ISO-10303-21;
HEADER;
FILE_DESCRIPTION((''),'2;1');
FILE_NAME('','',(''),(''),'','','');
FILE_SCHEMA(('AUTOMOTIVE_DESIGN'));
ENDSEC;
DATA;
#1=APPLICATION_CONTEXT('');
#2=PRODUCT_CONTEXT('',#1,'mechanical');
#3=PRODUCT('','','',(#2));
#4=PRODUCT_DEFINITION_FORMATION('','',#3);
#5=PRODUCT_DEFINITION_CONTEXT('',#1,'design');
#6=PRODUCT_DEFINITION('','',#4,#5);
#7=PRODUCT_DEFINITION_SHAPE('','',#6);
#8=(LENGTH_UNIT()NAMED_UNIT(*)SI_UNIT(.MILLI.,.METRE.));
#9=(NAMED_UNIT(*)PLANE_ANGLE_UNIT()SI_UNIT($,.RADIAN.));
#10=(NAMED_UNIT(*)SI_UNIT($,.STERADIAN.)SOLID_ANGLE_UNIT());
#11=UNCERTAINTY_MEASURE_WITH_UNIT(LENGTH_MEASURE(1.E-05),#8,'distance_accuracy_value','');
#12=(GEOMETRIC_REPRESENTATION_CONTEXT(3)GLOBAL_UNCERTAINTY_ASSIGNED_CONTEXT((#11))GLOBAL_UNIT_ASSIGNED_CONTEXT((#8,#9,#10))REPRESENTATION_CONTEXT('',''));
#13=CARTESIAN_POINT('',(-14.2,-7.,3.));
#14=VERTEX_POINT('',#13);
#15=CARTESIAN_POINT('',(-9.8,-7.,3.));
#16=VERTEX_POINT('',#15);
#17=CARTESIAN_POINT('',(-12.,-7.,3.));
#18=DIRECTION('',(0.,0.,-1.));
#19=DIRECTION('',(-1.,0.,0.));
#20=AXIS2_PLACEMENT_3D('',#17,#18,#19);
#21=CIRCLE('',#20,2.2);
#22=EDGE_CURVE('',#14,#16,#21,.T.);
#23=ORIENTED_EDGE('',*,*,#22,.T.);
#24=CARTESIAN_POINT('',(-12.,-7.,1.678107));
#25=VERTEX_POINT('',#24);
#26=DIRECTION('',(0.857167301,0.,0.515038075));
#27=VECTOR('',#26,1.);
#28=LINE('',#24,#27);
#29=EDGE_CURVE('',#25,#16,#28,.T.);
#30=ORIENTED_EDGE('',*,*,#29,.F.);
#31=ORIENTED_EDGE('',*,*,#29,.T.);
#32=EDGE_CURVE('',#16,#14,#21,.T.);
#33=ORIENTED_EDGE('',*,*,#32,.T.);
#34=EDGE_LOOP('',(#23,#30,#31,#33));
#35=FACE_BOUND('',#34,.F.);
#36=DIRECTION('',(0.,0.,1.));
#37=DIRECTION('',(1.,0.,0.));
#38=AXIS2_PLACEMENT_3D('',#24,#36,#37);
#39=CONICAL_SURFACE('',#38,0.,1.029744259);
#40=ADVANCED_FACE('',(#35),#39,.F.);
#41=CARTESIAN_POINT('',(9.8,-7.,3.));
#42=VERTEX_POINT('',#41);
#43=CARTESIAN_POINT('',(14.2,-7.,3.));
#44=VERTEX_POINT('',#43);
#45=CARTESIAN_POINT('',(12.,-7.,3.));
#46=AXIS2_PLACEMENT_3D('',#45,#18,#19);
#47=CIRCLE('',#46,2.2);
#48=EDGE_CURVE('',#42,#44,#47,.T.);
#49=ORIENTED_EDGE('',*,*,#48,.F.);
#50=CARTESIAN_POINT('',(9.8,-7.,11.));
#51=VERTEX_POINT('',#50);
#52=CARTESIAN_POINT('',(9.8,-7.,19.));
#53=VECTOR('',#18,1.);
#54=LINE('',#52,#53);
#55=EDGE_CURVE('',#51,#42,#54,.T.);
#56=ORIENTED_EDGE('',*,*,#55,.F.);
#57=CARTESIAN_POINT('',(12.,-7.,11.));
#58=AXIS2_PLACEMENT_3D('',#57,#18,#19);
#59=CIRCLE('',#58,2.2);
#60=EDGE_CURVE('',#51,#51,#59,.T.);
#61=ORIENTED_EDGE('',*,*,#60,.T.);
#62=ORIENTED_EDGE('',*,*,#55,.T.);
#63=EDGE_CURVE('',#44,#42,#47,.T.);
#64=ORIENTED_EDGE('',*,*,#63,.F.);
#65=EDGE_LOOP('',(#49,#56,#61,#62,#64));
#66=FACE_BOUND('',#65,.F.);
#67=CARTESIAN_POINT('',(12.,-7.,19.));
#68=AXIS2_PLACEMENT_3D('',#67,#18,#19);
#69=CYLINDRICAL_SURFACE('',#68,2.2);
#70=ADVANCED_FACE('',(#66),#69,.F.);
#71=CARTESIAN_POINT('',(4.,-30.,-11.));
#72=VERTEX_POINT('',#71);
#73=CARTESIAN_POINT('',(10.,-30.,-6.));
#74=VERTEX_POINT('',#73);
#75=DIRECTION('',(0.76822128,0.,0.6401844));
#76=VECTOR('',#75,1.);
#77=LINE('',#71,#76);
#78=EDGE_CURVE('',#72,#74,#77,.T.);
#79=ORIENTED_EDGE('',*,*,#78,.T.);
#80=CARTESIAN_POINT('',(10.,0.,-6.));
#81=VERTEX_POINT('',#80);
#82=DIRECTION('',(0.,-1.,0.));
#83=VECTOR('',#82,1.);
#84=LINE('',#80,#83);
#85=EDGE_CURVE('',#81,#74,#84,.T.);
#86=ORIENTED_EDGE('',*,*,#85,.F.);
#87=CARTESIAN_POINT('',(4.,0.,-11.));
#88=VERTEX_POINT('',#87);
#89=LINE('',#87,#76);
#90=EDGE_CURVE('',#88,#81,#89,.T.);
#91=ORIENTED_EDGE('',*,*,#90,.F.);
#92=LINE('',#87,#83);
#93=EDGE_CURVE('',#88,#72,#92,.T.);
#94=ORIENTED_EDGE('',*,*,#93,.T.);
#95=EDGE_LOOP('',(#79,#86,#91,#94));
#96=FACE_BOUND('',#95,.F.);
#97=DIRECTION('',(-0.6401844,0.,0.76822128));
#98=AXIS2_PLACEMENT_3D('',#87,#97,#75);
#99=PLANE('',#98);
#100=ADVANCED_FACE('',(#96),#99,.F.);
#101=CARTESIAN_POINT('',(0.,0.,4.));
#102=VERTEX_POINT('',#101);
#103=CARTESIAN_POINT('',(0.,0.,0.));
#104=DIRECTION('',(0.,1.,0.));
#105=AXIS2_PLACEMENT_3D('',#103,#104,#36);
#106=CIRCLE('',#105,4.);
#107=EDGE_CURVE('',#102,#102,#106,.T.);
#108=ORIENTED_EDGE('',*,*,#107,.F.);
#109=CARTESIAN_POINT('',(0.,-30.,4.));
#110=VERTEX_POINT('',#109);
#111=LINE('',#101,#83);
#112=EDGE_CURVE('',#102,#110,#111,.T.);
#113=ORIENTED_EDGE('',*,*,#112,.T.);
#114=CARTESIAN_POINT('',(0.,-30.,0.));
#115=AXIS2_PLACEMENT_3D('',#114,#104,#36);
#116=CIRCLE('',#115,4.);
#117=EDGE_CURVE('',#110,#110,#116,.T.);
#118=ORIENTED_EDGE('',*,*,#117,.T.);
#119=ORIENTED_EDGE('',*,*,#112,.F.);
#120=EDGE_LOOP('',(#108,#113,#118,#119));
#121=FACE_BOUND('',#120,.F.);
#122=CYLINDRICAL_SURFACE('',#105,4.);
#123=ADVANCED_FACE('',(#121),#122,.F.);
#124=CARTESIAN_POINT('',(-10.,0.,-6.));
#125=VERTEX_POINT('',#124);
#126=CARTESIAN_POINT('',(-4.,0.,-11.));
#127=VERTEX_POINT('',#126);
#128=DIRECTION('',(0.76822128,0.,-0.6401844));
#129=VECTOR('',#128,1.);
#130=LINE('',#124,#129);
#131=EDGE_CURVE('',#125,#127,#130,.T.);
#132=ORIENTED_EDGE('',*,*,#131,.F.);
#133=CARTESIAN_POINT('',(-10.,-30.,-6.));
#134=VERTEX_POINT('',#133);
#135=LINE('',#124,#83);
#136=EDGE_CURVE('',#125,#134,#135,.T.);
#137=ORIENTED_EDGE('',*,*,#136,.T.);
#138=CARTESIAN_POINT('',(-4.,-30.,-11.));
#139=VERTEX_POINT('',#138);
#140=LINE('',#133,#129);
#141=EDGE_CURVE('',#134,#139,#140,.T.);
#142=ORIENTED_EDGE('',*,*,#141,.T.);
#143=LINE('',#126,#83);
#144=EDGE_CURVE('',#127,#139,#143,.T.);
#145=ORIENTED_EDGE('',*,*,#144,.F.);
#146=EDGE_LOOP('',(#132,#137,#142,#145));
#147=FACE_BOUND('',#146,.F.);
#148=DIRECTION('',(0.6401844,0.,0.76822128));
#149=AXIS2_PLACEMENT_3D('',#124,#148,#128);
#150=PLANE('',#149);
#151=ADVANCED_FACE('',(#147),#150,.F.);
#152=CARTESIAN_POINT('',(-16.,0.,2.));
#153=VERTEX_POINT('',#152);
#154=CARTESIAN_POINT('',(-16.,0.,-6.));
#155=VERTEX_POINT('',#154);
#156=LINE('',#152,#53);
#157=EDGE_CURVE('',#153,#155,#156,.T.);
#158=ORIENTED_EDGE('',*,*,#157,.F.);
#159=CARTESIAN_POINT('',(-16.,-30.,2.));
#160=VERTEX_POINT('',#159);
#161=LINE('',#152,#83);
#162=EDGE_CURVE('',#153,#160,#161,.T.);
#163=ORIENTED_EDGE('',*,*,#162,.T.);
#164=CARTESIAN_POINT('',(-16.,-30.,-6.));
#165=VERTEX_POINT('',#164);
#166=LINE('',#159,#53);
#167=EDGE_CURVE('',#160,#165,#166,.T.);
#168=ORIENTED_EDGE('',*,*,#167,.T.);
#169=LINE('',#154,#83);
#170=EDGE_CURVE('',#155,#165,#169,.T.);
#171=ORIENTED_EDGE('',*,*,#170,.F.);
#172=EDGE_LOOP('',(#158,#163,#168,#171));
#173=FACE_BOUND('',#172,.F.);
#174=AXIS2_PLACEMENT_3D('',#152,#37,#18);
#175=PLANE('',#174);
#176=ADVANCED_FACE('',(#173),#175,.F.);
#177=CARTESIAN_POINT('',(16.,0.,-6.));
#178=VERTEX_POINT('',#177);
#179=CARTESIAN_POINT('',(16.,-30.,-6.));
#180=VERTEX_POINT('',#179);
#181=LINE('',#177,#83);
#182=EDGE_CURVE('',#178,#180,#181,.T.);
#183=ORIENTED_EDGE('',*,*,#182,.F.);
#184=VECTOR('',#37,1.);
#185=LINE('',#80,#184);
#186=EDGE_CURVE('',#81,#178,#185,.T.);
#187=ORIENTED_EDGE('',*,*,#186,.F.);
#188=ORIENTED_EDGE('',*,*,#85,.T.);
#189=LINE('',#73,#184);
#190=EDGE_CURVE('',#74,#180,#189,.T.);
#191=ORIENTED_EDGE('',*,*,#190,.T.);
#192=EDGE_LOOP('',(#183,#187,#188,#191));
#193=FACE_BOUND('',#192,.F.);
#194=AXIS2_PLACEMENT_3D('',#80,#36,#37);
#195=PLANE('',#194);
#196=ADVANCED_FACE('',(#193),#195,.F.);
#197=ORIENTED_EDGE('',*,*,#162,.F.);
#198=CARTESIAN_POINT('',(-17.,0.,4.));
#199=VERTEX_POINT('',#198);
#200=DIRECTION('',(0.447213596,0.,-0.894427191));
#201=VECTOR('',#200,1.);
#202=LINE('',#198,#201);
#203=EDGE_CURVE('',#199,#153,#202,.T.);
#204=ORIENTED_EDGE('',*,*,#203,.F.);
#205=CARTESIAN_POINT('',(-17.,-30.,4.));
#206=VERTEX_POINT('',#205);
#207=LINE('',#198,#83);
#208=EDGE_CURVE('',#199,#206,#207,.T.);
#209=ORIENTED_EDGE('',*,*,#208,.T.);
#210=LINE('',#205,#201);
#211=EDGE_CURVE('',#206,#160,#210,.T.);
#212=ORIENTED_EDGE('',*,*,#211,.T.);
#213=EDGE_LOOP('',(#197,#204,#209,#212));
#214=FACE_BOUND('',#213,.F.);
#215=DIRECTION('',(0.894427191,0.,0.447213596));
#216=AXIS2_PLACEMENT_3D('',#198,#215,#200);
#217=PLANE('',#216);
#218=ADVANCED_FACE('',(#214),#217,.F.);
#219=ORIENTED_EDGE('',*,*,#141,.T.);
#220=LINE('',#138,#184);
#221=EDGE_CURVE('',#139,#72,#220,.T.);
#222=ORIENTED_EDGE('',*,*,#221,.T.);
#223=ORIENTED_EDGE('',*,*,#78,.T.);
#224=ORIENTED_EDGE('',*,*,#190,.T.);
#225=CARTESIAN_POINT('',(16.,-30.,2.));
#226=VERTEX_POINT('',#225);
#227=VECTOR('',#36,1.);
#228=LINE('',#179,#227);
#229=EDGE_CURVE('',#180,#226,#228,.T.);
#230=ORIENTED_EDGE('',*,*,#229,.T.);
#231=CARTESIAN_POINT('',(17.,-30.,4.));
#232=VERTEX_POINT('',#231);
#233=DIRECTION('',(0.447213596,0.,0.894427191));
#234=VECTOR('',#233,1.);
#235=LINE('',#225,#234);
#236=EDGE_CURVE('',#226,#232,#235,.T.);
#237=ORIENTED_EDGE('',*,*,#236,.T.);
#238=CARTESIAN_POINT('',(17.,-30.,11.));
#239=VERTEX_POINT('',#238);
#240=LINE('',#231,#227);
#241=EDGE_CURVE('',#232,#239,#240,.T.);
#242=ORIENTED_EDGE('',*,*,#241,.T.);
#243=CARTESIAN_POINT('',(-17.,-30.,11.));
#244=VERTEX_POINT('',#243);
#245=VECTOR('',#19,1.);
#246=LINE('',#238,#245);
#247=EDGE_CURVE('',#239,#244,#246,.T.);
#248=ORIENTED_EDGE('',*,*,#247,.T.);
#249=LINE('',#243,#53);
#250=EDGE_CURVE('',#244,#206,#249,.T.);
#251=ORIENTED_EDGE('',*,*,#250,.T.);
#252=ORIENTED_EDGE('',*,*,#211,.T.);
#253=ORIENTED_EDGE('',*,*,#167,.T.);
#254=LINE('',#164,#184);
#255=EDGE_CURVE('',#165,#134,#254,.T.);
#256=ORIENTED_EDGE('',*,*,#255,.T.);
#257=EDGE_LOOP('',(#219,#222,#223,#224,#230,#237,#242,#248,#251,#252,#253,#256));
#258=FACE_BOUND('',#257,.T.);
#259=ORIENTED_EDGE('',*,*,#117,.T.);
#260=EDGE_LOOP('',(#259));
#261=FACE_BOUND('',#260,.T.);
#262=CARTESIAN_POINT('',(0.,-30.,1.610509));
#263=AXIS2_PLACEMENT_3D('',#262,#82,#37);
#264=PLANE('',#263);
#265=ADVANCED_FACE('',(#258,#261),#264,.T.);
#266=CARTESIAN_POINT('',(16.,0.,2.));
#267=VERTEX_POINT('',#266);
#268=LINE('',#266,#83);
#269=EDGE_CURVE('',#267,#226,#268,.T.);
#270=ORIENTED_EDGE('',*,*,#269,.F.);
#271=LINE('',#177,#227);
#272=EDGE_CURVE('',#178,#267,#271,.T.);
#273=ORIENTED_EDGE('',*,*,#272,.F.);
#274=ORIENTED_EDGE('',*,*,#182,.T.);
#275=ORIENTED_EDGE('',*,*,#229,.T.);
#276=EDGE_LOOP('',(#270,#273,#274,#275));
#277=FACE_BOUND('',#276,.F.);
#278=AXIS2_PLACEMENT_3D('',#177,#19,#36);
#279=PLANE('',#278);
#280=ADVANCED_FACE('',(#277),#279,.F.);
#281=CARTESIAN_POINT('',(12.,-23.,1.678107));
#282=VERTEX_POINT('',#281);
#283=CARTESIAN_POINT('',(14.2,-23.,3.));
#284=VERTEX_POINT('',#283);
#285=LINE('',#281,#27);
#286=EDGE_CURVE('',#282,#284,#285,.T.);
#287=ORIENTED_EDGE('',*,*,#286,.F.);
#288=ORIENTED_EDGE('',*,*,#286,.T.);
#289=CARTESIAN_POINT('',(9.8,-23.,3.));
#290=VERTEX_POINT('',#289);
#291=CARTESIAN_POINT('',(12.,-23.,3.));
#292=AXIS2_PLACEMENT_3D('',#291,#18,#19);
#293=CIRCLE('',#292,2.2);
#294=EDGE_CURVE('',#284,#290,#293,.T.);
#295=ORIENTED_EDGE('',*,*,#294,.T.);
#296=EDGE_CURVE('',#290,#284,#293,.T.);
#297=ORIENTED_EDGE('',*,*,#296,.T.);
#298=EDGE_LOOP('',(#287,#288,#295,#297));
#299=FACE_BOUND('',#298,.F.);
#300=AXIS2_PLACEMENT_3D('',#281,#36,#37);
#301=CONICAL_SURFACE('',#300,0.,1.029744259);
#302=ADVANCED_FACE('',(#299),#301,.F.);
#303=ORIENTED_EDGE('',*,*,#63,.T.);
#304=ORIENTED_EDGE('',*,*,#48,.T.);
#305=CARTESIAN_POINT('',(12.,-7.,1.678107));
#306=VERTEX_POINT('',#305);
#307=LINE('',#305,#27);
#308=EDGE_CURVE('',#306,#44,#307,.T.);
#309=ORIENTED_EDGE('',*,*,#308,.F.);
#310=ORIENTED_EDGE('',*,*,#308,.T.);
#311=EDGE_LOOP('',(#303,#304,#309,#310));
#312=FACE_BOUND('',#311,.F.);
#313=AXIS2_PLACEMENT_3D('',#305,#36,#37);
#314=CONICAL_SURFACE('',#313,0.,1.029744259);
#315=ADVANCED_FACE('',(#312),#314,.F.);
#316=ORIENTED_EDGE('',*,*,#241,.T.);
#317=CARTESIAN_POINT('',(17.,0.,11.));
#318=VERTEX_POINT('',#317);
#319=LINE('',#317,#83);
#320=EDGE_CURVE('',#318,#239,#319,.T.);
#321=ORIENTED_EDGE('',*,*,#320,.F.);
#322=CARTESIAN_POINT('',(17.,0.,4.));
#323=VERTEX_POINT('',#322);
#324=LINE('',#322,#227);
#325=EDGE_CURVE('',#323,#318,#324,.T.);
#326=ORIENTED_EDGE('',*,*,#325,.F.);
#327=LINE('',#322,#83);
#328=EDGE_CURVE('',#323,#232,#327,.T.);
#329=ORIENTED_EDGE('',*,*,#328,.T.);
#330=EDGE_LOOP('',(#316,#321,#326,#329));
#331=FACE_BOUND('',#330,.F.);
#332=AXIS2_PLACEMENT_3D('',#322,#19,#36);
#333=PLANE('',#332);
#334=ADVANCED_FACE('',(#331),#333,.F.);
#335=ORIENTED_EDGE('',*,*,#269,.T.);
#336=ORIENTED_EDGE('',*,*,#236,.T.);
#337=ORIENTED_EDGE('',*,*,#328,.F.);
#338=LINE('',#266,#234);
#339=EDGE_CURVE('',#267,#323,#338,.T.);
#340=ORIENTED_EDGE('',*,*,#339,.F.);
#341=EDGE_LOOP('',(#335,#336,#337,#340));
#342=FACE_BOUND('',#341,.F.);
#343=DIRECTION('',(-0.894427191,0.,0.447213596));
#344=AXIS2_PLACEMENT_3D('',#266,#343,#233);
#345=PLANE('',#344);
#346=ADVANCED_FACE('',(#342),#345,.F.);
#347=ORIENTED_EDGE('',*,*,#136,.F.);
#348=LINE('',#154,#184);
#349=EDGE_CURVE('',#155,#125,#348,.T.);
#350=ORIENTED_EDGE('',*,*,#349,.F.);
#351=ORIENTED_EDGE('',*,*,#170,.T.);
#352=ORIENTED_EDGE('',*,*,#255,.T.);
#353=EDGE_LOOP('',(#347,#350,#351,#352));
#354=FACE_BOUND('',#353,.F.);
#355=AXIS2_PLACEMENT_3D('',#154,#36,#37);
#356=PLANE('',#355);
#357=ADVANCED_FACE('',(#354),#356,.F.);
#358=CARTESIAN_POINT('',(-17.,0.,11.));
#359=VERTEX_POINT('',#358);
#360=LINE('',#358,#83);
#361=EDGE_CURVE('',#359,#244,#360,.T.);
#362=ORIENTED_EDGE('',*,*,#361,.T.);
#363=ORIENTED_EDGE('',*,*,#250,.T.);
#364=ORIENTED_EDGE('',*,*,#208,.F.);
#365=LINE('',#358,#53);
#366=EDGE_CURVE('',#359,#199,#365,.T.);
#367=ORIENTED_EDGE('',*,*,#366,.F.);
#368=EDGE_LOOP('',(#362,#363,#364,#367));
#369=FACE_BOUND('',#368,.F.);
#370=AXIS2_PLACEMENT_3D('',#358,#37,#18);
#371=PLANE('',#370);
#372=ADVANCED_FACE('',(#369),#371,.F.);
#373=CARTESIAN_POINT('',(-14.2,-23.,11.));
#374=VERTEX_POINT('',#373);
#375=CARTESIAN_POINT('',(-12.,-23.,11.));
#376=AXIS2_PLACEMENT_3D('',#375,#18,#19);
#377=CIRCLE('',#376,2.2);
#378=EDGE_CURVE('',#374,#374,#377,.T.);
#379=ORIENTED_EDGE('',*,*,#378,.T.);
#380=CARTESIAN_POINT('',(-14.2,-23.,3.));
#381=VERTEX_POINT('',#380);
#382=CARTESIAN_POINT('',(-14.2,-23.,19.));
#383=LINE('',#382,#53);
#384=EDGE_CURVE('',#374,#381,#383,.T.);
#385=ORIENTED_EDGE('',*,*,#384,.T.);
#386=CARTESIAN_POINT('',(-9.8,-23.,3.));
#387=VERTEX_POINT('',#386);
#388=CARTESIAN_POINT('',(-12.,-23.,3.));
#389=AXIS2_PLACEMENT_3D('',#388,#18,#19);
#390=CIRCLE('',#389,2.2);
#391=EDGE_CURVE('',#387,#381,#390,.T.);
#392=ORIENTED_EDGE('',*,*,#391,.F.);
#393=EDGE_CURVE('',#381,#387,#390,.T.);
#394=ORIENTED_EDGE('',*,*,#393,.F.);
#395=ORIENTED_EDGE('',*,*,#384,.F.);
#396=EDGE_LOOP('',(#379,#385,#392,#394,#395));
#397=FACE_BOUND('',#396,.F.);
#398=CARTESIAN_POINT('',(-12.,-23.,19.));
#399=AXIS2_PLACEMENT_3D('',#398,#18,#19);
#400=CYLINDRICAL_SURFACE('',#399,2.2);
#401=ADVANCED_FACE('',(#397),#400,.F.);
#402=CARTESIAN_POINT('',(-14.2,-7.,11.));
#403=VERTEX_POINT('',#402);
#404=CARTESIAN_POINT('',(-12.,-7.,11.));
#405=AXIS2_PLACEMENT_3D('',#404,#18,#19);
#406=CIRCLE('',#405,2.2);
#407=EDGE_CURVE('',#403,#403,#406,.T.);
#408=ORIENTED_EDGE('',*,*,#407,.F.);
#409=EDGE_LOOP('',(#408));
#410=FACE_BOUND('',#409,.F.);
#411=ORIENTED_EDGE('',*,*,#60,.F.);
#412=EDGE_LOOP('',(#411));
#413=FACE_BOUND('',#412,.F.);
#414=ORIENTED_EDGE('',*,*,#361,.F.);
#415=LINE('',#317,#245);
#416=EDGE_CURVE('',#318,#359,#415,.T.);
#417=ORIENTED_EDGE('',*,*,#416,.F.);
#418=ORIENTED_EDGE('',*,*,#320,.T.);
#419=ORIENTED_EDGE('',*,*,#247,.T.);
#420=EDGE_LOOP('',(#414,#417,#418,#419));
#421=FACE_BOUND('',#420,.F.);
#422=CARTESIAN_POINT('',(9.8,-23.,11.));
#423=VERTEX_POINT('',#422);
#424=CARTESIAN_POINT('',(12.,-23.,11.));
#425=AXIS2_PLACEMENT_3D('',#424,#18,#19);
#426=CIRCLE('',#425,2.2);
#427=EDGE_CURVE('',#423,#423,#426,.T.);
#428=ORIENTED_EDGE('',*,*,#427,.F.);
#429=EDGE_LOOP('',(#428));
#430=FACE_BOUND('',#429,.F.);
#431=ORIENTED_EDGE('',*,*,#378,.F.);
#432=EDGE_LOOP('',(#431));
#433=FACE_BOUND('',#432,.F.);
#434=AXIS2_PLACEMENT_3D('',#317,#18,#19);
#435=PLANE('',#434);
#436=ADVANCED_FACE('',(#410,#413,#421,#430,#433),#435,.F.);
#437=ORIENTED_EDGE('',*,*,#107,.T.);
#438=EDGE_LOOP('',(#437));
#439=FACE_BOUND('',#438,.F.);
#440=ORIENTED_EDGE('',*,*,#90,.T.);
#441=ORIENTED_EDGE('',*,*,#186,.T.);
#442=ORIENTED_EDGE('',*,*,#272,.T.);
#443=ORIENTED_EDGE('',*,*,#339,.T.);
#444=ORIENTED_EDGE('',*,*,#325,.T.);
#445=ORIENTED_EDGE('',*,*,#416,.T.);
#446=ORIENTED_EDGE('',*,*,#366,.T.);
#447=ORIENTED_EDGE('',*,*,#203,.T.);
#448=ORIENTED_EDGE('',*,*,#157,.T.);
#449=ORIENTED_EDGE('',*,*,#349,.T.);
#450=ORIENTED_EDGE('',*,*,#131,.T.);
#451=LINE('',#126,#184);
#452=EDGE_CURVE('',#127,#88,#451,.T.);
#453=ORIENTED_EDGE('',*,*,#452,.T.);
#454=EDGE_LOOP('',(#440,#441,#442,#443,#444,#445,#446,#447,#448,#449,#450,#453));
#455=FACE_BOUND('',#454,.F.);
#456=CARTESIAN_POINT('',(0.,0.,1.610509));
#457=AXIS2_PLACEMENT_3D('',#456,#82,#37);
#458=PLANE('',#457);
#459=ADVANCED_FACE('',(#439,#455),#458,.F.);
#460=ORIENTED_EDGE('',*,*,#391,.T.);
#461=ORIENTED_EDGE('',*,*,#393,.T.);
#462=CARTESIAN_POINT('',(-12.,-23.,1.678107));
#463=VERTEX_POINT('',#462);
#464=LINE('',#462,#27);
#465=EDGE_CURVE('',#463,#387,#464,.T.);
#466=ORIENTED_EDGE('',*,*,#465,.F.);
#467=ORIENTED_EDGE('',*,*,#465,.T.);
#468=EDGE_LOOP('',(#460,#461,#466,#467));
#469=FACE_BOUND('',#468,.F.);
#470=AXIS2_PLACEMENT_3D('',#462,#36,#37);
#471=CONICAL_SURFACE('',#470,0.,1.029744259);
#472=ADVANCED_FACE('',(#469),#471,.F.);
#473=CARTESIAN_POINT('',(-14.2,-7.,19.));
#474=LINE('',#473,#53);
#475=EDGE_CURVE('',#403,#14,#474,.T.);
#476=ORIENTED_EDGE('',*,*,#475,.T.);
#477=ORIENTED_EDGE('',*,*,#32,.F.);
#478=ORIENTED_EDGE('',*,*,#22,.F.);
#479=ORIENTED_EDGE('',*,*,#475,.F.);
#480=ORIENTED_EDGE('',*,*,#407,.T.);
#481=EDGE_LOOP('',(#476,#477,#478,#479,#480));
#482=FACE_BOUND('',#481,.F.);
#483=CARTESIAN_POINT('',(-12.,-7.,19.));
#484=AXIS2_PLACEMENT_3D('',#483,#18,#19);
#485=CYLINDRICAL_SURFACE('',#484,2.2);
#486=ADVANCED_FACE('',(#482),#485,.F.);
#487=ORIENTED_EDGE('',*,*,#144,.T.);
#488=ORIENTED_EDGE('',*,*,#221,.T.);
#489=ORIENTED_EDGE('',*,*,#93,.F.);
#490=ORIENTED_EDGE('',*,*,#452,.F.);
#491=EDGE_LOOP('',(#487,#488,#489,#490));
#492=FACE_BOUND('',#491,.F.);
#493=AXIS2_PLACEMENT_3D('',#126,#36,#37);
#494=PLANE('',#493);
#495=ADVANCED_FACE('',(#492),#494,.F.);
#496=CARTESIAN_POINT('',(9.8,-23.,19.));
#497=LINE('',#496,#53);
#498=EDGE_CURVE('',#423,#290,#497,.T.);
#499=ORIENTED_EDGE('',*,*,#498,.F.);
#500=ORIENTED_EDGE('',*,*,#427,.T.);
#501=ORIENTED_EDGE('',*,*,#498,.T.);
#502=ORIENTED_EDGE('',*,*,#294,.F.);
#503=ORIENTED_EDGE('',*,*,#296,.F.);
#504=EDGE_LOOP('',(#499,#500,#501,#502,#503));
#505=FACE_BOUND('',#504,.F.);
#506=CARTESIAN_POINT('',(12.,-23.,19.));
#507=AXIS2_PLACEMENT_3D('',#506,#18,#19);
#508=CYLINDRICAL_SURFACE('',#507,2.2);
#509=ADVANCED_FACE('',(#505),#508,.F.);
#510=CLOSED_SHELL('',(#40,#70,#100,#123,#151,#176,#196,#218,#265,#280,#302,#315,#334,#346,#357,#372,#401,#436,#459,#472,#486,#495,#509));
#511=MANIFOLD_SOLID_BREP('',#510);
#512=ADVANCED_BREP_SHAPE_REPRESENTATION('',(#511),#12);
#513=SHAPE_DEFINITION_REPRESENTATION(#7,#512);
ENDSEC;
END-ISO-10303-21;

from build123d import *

# Parameters (mm, degrees)
F1_DEPTH = 30
F3_D     = 4.4
F3_DEPTH = 8
F3_TIP   = 1.3218933619


with BuildPart() as f1:
    # F0 (on Front) → F1 (new body)
    with BuildSketch(Plane.XZ):
        Polygon((17, 11), (0, 11), (-17, 11), (-17, 4), (-16, 2), (-16, -6), (-10, -6), (-4, -11), (0, -11), (4, -11), (10, -6), (16, -6), (16, 2), (17, 4), align=None)
        with BuildLine():
            ThreePointArc((0, -4), (-4, 0), (0, 4))
            ThreePointArc((0, 4), (4, 0), (0, -4))
        make_face(mode=Mode.SUBTRACT)
    extrude(amount=F1_DEPTH)

    # F3
    with Locations(Plane.XY.offset(11)):
        with Locations((-12, -23), (-12, -7), (12, -7), (12, -23)):
            Hole(F3_D / 2, depth=F3_DEPTH)
            with Locations((0, 0, -(F3_DEPTH + F3_TIP / 2))):  # 118° drill point
                Cone(0, F3_D / 2, F3_TIP, mode=Mode.SUBTRACT)


solid = f1.part
